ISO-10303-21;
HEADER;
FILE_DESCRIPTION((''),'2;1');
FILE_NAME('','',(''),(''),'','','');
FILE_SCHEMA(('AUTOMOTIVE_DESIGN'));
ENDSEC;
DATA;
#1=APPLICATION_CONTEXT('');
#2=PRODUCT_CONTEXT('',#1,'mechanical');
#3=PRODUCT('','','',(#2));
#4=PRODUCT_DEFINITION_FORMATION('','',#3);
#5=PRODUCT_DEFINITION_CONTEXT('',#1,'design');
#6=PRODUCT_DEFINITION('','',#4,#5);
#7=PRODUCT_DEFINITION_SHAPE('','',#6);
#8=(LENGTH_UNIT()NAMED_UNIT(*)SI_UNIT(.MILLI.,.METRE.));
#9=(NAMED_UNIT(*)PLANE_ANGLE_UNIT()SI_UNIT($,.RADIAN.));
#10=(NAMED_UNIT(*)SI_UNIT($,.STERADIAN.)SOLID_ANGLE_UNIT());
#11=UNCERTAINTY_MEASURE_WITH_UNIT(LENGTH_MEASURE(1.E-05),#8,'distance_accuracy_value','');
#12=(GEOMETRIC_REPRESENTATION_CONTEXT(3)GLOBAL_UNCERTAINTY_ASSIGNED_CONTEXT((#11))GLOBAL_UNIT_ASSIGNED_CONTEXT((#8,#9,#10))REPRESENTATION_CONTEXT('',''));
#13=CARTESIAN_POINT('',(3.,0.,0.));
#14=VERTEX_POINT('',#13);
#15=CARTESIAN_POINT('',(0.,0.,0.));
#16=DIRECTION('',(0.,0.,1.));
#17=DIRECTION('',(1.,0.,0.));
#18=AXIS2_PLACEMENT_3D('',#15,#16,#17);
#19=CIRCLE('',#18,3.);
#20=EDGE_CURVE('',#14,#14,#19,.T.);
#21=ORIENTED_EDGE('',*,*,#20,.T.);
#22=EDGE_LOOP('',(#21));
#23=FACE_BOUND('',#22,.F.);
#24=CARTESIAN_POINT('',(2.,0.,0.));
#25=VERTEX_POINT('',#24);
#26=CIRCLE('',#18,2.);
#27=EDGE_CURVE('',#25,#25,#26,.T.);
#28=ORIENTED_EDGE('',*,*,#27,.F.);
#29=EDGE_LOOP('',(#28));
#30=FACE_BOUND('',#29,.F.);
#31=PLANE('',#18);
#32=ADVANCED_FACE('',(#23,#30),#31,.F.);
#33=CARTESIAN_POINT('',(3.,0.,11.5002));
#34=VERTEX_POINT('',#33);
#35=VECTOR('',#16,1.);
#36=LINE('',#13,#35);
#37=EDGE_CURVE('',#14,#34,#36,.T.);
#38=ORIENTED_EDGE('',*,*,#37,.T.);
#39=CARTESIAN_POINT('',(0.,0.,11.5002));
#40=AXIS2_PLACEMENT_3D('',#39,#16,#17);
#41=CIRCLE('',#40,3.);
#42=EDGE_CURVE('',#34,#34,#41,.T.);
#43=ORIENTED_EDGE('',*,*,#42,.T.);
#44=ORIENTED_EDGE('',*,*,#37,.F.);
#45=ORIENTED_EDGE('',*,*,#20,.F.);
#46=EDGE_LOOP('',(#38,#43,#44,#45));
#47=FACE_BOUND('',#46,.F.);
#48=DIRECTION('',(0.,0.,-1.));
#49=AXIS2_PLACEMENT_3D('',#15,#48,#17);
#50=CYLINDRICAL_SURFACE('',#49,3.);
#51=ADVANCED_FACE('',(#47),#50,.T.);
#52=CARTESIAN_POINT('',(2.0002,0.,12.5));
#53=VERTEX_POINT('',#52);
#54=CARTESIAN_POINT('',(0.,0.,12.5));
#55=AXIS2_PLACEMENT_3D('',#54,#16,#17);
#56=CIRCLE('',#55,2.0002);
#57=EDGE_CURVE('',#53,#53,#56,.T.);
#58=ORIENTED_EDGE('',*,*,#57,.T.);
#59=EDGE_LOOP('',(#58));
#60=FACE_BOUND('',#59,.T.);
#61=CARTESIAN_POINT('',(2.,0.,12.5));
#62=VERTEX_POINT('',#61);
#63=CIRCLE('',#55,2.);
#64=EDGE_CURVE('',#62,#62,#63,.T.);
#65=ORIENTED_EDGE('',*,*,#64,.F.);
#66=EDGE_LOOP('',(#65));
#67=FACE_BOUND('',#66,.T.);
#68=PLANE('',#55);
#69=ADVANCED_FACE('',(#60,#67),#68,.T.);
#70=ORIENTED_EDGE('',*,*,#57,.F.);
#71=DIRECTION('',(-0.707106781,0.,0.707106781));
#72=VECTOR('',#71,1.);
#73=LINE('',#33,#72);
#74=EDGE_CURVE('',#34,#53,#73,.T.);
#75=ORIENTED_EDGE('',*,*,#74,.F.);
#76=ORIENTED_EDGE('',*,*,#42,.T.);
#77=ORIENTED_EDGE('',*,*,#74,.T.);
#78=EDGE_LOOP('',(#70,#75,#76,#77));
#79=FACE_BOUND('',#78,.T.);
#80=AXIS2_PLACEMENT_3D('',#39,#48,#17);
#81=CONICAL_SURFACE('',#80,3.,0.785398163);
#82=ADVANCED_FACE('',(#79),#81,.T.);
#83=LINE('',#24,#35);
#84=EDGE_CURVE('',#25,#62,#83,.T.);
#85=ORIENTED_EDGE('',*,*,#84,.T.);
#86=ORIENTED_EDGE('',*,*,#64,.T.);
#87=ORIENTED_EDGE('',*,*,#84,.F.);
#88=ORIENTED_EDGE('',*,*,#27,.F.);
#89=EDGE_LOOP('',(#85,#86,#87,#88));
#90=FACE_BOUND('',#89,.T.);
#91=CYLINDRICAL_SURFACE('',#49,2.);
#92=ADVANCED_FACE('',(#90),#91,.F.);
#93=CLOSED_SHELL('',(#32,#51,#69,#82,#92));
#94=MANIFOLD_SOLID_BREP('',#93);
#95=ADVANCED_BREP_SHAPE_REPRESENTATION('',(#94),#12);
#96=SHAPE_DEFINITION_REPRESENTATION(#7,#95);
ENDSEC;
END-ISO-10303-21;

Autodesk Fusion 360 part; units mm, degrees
sketch "Sketch1" plane through (0, 0, 0) normal (0, 0, 1) x (1, 0, 0)
  circle A0 centre (0, 0) radius 3
  circle A1 centre (0, 0) radius 2
  dimension "d1" = 6
  dimension "d2" = 4
extrude "Extrude1" add sketch "Sketch1" along normal blind 12.5
chamfer "Chamfer1" distance 1 angle 45 1 edges at (-2.797, -1.0848, 12.5)
